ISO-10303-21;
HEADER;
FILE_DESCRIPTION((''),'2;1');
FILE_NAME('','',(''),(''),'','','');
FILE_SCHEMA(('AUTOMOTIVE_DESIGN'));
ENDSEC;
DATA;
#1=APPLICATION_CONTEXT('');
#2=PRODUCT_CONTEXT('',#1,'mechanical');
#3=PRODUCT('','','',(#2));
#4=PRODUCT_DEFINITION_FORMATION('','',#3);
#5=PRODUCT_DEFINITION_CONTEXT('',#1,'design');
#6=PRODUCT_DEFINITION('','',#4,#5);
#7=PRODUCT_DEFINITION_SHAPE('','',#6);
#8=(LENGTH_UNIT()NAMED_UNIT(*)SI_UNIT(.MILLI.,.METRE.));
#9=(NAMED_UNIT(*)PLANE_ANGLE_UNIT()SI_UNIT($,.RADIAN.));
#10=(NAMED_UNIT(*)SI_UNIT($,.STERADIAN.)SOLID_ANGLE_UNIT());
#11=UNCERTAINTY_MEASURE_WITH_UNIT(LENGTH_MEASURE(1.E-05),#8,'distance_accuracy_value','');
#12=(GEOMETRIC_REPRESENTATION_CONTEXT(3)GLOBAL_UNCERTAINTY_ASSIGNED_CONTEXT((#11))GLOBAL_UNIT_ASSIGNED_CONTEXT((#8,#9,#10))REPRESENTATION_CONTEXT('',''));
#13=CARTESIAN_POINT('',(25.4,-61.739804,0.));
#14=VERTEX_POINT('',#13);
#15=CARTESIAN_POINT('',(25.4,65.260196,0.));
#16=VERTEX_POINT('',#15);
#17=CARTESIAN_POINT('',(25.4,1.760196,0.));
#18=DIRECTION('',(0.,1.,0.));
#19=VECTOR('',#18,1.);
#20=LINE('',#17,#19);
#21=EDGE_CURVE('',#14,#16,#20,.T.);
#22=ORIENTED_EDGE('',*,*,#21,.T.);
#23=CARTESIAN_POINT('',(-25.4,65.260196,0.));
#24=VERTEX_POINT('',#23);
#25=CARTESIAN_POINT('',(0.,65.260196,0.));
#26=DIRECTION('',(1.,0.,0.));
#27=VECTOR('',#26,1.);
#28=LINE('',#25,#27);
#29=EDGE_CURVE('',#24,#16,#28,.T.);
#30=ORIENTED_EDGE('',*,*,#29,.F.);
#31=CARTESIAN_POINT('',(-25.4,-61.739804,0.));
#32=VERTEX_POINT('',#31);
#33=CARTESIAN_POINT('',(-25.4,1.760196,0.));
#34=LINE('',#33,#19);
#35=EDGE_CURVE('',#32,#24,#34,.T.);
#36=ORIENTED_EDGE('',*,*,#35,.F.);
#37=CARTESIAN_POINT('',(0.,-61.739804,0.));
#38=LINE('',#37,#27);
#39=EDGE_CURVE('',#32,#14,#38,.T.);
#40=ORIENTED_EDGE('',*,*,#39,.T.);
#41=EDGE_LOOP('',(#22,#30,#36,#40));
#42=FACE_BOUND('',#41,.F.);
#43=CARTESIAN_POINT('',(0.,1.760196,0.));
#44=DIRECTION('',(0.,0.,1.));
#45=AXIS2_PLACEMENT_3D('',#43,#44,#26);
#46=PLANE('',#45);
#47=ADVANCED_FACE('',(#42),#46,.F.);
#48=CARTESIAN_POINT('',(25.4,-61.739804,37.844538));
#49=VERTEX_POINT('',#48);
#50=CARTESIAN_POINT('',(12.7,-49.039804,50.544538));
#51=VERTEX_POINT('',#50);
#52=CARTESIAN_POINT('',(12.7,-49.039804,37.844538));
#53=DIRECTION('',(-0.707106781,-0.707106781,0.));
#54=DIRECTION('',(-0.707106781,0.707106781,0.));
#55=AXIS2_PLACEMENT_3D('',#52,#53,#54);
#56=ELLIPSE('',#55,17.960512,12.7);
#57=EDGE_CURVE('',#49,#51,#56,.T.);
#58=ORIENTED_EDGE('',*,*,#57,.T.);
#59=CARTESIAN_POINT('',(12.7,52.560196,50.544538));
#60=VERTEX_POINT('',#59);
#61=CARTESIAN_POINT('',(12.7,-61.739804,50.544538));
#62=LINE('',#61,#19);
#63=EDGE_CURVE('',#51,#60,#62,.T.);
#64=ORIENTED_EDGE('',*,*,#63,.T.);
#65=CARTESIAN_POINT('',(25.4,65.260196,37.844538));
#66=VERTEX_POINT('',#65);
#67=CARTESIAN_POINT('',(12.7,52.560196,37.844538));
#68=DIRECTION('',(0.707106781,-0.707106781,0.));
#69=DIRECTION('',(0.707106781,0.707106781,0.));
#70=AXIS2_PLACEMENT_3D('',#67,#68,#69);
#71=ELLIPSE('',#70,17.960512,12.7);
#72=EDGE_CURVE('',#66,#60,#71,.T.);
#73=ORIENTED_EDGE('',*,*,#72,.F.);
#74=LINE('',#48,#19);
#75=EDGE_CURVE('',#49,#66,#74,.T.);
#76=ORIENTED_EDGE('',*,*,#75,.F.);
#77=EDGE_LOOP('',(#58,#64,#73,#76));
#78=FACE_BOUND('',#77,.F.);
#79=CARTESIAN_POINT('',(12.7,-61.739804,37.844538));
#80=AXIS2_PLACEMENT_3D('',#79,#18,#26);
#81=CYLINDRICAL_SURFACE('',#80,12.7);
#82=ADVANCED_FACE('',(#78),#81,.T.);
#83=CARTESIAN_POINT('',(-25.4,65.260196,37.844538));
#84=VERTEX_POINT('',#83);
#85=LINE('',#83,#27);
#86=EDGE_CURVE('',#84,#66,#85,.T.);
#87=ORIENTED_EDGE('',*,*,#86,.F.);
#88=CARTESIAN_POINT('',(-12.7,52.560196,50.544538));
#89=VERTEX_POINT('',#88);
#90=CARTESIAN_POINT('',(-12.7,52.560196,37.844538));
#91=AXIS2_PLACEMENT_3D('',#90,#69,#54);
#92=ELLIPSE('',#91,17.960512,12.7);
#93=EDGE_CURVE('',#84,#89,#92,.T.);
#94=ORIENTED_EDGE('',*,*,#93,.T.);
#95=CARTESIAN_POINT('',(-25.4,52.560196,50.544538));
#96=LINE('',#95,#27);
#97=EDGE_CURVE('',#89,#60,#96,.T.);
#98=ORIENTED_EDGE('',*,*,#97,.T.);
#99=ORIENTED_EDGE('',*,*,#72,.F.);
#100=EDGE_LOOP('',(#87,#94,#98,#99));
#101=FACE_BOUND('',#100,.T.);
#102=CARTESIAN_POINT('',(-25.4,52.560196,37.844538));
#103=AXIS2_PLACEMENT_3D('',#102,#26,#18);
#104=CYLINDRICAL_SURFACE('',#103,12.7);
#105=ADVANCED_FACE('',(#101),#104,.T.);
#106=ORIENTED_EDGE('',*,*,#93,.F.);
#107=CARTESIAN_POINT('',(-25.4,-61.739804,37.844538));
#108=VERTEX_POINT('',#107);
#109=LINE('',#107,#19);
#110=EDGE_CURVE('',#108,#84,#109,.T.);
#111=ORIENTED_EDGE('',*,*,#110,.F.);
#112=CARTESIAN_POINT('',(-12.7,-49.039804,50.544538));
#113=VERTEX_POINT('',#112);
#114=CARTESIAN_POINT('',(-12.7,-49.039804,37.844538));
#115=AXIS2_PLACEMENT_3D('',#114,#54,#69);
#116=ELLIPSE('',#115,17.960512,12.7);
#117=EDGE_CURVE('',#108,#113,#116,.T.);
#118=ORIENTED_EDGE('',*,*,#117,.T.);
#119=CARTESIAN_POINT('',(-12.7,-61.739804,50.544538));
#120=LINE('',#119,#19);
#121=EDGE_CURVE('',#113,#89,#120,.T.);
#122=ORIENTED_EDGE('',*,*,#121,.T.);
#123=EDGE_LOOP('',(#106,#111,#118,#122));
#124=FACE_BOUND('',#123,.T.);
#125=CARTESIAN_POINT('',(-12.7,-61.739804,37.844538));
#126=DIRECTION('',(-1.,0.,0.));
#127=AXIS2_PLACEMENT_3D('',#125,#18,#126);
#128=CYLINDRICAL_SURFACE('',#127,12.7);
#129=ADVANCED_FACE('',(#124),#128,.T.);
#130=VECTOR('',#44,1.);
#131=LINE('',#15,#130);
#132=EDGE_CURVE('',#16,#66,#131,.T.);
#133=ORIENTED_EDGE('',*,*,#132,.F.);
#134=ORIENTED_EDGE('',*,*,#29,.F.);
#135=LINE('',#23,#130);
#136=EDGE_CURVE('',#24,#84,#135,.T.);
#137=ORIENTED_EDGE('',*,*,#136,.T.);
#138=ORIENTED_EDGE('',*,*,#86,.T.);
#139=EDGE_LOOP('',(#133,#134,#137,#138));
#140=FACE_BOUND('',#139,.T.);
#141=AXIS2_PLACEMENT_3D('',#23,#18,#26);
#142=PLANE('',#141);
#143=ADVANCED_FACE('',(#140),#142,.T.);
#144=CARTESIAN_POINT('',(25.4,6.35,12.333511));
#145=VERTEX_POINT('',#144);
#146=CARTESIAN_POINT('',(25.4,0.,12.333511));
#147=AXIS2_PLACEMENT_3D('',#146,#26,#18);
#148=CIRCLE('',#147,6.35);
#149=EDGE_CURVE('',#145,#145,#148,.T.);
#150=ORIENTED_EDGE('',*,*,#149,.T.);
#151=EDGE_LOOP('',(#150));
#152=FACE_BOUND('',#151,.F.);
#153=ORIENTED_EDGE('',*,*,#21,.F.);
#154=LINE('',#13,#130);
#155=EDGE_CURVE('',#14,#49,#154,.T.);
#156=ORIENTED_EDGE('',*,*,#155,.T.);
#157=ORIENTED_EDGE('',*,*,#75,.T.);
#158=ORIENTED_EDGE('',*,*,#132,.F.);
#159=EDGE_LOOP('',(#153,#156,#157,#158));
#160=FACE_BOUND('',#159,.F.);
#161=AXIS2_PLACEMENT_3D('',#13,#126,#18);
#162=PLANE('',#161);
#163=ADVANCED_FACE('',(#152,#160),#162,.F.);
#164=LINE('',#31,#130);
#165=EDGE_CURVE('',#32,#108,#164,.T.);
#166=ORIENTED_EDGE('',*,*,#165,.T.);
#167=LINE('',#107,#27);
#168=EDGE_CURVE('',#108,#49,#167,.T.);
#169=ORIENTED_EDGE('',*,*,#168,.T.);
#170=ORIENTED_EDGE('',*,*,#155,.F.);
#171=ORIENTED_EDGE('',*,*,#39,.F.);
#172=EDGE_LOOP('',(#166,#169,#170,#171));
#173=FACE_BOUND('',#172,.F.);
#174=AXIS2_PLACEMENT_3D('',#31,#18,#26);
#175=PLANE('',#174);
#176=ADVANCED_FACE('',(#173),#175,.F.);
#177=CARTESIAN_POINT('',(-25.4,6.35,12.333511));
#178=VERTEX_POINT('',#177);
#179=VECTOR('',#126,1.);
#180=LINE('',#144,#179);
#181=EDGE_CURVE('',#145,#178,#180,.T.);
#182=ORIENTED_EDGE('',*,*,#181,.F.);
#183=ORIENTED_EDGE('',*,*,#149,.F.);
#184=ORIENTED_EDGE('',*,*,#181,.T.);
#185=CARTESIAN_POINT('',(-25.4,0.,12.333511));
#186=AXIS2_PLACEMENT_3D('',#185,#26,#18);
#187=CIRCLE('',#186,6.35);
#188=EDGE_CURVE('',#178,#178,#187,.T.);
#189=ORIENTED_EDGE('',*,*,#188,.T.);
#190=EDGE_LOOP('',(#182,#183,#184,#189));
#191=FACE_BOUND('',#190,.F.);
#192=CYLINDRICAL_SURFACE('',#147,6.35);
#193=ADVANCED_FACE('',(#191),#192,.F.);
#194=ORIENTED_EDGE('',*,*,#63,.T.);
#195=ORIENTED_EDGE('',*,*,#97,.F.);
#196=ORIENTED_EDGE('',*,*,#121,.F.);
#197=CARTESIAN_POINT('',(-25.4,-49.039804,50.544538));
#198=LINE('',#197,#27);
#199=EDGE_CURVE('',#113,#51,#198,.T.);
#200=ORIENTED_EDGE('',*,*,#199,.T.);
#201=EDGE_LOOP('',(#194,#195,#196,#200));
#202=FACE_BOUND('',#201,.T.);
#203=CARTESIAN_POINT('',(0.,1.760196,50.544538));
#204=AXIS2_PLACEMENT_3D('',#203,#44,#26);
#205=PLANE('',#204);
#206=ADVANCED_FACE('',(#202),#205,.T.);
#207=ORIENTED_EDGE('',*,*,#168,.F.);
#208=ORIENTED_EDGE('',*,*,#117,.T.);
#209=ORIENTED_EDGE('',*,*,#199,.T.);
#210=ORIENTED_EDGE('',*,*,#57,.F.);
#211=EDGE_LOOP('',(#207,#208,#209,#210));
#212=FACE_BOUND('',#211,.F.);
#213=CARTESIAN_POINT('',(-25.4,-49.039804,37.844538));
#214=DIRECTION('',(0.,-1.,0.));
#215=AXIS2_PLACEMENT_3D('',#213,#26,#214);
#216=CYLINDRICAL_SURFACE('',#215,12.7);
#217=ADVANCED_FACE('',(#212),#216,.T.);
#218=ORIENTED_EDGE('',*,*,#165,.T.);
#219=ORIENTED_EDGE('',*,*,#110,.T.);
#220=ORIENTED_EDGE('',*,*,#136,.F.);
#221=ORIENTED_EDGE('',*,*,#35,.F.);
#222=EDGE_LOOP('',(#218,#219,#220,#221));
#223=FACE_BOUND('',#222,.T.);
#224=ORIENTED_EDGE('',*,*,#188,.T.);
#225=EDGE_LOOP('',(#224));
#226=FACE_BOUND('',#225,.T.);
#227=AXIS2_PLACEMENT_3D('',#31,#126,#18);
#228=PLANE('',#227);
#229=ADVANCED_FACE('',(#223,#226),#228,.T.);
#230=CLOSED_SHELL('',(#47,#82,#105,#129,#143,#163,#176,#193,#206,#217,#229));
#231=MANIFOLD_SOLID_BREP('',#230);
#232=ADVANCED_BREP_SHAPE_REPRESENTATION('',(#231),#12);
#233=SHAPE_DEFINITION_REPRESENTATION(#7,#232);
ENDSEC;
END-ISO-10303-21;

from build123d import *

# Parameters (mm, degrees)
F0_W     = 50.8
F0_H     = 127
F1_DEPTH = 50.544538
F2_R     = 12.7
F3_R     = 6.35
F4_DEPTH = 105.582835


with BuildPart() as f1:
    # F0 (on Top) → F1 (new body)
    with BuildSketch(Plane.XY):
        with Locations((0, 1.760196)):
            Rectangle(F0_W, F0_H)
    extrude(amount=F1_DEPTH)

    # F2
    f2_edges = [f1.edges().sort_by_distance(p)[0] for p in [
        (25.4, 1.760196, 50.544538),
        (0, -61.739804, 50.544538),
        (-25.4, 1.760196, 50.544538),
        (0, 65.260196, 50.544538),
    ]]
    fillet(f2_edges, radius=F2_R)

    # F3 (on face) → F4 (cut)
    with BuildSketch(Plane.YZ.offset(25.4)):
        with Locations((0, 12.333511)):
            Circle(F3_R)
    extrude(amount=-F4_DEPTH, mode=Mode.SUBTRACT)


solid = f1.part
